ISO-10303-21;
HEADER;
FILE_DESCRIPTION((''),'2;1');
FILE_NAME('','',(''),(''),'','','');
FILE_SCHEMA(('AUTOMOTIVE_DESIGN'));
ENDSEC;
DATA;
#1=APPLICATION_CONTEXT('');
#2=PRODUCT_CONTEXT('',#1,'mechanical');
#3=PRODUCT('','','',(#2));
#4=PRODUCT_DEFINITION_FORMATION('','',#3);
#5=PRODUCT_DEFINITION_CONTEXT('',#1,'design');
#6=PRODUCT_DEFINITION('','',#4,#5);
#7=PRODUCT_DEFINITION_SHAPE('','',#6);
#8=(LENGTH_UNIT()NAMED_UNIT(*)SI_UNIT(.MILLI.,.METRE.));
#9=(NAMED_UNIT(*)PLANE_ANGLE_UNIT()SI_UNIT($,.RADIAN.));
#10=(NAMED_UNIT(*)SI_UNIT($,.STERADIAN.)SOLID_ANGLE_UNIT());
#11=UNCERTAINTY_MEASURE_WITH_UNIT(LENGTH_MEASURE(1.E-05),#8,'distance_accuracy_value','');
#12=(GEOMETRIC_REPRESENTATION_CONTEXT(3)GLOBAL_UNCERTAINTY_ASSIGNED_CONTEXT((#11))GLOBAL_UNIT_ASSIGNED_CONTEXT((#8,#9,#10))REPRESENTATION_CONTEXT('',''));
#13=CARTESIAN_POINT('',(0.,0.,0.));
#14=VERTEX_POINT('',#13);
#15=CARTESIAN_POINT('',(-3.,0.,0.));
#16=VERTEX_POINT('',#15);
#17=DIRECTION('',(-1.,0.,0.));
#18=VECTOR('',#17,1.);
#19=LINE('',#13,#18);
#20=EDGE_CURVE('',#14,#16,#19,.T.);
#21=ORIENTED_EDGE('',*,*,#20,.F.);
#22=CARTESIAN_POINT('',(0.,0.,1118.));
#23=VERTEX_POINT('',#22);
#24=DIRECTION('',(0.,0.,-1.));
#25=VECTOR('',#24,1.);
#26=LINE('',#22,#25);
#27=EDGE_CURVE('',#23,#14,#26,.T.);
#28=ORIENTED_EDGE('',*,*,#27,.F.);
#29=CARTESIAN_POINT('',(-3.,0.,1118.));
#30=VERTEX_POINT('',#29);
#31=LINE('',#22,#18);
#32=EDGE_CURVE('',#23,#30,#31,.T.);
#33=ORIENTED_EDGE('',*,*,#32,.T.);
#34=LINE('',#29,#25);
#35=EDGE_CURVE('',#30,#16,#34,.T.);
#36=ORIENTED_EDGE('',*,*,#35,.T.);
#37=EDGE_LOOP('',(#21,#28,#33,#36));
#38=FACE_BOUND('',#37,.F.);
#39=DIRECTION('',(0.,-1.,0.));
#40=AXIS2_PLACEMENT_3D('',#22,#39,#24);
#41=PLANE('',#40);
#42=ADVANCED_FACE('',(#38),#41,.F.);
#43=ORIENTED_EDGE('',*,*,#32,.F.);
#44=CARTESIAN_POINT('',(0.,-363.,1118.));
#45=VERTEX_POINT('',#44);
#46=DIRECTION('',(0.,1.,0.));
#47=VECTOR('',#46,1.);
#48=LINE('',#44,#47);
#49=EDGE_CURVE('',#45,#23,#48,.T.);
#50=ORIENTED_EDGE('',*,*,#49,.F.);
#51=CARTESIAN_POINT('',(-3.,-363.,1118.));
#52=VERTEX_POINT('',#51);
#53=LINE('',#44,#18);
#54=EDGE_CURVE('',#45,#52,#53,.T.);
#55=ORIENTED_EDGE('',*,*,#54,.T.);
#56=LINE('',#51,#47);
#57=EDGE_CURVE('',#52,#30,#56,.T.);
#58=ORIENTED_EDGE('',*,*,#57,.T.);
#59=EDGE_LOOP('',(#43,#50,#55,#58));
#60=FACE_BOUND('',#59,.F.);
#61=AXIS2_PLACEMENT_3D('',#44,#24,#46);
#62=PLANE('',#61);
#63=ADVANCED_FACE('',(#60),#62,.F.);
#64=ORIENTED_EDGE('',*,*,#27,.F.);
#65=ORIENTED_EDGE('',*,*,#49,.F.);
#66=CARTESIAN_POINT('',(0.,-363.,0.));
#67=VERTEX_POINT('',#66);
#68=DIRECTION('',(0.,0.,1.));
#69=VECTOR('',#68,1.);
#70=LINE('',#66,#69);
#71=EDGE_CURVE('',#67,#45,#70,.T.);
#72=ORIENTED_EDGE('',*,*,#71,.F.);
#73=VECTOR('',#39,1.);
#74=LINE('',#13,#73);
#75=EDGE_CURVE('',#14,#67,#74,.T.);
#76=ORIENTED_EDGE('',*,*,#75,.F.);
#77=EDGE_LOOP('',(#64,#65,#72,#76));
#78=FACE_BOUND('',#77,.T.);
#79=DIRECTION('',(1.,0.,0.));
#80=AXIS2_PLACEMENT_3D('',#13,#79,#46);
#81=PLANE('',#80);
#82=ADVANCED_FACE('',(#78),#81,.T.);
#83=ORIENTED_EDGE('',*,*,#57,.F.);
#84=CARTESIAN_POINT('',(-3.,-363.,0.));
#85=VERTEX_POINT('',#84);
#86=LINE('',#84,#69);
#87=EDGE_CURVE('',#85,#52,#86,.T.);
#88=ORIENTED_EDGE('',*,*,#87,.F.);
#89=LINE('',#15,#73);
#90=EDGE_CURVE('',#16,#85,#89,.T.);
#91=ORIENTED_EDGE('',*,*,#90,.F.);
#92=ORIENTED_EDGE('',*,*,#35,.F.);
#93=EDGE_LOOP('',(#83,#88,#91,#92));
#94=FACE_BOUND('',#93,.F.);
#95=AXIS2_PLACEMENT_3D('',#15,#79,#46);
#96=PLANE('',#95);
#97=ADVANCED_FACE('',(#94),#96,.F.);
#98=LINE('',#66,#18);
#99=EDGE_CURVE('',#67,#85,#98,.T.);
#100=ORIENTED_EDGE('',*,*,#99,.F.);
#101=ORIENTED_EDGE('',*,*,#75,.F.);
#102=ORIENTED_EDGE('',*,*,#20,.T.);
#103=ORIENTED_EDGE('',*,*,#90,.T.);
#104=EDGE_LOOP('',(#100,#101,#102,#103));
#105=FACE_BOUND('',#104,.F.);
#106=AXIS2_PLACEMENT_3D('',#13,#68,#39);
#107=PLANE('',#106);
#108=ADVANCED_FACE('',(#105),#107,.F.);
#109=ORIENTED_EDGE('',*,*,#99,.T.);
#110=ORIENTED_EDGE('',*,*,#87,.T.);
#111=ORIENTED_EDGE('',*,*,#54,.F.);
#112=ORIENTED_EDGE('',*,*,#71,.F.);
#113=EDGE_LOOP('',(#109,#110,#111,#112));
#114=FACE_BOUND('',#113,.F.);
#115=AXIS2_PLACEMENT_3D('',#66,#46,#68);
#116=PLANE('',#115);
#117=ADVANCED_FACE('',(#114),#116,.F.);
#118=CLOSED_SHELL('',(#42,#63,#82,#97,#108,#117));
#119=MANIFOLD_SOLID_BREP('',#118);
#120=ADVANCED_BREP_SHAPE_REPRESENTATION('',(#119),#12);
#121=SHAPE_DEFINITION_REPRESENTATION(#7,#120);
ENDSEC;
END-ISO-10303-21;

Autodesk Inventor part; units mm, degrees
ref_plane "YZ Plane" through (0, 0, 0) normal (1, 0, 0) x (0, 1, 0)
ref_plane "XZ Plane" through (0, 0, 0) normal (0, 1, 0) x (-1, 0, 0)
ref_plane "XY Plane" through (0, 0, 0) normal (0, 0, 1) x (1, 0, 0)
sketch "Sketch1" plane through (0, 0, 0) normal (1, 0, 0) x (0, 1, 0)
  line L0 (0, 0) -> (-363, 0)
  line L1 (-363, 0) -> (-363, 1118)
  line L2 (-363, 1118) -> (0, 1118)
  line L3 (0, 1118) -> (0, 0)
  dimension "d0" = 363
  dimension "d1" = 1118
extrude "Extrusion1" add sketch "Sketch1" against normal blind 3
equation "\"d0\" = portaLargura"
equation "\"portaLargura\" = 363"
properties part number "acrilicoMovel1"
